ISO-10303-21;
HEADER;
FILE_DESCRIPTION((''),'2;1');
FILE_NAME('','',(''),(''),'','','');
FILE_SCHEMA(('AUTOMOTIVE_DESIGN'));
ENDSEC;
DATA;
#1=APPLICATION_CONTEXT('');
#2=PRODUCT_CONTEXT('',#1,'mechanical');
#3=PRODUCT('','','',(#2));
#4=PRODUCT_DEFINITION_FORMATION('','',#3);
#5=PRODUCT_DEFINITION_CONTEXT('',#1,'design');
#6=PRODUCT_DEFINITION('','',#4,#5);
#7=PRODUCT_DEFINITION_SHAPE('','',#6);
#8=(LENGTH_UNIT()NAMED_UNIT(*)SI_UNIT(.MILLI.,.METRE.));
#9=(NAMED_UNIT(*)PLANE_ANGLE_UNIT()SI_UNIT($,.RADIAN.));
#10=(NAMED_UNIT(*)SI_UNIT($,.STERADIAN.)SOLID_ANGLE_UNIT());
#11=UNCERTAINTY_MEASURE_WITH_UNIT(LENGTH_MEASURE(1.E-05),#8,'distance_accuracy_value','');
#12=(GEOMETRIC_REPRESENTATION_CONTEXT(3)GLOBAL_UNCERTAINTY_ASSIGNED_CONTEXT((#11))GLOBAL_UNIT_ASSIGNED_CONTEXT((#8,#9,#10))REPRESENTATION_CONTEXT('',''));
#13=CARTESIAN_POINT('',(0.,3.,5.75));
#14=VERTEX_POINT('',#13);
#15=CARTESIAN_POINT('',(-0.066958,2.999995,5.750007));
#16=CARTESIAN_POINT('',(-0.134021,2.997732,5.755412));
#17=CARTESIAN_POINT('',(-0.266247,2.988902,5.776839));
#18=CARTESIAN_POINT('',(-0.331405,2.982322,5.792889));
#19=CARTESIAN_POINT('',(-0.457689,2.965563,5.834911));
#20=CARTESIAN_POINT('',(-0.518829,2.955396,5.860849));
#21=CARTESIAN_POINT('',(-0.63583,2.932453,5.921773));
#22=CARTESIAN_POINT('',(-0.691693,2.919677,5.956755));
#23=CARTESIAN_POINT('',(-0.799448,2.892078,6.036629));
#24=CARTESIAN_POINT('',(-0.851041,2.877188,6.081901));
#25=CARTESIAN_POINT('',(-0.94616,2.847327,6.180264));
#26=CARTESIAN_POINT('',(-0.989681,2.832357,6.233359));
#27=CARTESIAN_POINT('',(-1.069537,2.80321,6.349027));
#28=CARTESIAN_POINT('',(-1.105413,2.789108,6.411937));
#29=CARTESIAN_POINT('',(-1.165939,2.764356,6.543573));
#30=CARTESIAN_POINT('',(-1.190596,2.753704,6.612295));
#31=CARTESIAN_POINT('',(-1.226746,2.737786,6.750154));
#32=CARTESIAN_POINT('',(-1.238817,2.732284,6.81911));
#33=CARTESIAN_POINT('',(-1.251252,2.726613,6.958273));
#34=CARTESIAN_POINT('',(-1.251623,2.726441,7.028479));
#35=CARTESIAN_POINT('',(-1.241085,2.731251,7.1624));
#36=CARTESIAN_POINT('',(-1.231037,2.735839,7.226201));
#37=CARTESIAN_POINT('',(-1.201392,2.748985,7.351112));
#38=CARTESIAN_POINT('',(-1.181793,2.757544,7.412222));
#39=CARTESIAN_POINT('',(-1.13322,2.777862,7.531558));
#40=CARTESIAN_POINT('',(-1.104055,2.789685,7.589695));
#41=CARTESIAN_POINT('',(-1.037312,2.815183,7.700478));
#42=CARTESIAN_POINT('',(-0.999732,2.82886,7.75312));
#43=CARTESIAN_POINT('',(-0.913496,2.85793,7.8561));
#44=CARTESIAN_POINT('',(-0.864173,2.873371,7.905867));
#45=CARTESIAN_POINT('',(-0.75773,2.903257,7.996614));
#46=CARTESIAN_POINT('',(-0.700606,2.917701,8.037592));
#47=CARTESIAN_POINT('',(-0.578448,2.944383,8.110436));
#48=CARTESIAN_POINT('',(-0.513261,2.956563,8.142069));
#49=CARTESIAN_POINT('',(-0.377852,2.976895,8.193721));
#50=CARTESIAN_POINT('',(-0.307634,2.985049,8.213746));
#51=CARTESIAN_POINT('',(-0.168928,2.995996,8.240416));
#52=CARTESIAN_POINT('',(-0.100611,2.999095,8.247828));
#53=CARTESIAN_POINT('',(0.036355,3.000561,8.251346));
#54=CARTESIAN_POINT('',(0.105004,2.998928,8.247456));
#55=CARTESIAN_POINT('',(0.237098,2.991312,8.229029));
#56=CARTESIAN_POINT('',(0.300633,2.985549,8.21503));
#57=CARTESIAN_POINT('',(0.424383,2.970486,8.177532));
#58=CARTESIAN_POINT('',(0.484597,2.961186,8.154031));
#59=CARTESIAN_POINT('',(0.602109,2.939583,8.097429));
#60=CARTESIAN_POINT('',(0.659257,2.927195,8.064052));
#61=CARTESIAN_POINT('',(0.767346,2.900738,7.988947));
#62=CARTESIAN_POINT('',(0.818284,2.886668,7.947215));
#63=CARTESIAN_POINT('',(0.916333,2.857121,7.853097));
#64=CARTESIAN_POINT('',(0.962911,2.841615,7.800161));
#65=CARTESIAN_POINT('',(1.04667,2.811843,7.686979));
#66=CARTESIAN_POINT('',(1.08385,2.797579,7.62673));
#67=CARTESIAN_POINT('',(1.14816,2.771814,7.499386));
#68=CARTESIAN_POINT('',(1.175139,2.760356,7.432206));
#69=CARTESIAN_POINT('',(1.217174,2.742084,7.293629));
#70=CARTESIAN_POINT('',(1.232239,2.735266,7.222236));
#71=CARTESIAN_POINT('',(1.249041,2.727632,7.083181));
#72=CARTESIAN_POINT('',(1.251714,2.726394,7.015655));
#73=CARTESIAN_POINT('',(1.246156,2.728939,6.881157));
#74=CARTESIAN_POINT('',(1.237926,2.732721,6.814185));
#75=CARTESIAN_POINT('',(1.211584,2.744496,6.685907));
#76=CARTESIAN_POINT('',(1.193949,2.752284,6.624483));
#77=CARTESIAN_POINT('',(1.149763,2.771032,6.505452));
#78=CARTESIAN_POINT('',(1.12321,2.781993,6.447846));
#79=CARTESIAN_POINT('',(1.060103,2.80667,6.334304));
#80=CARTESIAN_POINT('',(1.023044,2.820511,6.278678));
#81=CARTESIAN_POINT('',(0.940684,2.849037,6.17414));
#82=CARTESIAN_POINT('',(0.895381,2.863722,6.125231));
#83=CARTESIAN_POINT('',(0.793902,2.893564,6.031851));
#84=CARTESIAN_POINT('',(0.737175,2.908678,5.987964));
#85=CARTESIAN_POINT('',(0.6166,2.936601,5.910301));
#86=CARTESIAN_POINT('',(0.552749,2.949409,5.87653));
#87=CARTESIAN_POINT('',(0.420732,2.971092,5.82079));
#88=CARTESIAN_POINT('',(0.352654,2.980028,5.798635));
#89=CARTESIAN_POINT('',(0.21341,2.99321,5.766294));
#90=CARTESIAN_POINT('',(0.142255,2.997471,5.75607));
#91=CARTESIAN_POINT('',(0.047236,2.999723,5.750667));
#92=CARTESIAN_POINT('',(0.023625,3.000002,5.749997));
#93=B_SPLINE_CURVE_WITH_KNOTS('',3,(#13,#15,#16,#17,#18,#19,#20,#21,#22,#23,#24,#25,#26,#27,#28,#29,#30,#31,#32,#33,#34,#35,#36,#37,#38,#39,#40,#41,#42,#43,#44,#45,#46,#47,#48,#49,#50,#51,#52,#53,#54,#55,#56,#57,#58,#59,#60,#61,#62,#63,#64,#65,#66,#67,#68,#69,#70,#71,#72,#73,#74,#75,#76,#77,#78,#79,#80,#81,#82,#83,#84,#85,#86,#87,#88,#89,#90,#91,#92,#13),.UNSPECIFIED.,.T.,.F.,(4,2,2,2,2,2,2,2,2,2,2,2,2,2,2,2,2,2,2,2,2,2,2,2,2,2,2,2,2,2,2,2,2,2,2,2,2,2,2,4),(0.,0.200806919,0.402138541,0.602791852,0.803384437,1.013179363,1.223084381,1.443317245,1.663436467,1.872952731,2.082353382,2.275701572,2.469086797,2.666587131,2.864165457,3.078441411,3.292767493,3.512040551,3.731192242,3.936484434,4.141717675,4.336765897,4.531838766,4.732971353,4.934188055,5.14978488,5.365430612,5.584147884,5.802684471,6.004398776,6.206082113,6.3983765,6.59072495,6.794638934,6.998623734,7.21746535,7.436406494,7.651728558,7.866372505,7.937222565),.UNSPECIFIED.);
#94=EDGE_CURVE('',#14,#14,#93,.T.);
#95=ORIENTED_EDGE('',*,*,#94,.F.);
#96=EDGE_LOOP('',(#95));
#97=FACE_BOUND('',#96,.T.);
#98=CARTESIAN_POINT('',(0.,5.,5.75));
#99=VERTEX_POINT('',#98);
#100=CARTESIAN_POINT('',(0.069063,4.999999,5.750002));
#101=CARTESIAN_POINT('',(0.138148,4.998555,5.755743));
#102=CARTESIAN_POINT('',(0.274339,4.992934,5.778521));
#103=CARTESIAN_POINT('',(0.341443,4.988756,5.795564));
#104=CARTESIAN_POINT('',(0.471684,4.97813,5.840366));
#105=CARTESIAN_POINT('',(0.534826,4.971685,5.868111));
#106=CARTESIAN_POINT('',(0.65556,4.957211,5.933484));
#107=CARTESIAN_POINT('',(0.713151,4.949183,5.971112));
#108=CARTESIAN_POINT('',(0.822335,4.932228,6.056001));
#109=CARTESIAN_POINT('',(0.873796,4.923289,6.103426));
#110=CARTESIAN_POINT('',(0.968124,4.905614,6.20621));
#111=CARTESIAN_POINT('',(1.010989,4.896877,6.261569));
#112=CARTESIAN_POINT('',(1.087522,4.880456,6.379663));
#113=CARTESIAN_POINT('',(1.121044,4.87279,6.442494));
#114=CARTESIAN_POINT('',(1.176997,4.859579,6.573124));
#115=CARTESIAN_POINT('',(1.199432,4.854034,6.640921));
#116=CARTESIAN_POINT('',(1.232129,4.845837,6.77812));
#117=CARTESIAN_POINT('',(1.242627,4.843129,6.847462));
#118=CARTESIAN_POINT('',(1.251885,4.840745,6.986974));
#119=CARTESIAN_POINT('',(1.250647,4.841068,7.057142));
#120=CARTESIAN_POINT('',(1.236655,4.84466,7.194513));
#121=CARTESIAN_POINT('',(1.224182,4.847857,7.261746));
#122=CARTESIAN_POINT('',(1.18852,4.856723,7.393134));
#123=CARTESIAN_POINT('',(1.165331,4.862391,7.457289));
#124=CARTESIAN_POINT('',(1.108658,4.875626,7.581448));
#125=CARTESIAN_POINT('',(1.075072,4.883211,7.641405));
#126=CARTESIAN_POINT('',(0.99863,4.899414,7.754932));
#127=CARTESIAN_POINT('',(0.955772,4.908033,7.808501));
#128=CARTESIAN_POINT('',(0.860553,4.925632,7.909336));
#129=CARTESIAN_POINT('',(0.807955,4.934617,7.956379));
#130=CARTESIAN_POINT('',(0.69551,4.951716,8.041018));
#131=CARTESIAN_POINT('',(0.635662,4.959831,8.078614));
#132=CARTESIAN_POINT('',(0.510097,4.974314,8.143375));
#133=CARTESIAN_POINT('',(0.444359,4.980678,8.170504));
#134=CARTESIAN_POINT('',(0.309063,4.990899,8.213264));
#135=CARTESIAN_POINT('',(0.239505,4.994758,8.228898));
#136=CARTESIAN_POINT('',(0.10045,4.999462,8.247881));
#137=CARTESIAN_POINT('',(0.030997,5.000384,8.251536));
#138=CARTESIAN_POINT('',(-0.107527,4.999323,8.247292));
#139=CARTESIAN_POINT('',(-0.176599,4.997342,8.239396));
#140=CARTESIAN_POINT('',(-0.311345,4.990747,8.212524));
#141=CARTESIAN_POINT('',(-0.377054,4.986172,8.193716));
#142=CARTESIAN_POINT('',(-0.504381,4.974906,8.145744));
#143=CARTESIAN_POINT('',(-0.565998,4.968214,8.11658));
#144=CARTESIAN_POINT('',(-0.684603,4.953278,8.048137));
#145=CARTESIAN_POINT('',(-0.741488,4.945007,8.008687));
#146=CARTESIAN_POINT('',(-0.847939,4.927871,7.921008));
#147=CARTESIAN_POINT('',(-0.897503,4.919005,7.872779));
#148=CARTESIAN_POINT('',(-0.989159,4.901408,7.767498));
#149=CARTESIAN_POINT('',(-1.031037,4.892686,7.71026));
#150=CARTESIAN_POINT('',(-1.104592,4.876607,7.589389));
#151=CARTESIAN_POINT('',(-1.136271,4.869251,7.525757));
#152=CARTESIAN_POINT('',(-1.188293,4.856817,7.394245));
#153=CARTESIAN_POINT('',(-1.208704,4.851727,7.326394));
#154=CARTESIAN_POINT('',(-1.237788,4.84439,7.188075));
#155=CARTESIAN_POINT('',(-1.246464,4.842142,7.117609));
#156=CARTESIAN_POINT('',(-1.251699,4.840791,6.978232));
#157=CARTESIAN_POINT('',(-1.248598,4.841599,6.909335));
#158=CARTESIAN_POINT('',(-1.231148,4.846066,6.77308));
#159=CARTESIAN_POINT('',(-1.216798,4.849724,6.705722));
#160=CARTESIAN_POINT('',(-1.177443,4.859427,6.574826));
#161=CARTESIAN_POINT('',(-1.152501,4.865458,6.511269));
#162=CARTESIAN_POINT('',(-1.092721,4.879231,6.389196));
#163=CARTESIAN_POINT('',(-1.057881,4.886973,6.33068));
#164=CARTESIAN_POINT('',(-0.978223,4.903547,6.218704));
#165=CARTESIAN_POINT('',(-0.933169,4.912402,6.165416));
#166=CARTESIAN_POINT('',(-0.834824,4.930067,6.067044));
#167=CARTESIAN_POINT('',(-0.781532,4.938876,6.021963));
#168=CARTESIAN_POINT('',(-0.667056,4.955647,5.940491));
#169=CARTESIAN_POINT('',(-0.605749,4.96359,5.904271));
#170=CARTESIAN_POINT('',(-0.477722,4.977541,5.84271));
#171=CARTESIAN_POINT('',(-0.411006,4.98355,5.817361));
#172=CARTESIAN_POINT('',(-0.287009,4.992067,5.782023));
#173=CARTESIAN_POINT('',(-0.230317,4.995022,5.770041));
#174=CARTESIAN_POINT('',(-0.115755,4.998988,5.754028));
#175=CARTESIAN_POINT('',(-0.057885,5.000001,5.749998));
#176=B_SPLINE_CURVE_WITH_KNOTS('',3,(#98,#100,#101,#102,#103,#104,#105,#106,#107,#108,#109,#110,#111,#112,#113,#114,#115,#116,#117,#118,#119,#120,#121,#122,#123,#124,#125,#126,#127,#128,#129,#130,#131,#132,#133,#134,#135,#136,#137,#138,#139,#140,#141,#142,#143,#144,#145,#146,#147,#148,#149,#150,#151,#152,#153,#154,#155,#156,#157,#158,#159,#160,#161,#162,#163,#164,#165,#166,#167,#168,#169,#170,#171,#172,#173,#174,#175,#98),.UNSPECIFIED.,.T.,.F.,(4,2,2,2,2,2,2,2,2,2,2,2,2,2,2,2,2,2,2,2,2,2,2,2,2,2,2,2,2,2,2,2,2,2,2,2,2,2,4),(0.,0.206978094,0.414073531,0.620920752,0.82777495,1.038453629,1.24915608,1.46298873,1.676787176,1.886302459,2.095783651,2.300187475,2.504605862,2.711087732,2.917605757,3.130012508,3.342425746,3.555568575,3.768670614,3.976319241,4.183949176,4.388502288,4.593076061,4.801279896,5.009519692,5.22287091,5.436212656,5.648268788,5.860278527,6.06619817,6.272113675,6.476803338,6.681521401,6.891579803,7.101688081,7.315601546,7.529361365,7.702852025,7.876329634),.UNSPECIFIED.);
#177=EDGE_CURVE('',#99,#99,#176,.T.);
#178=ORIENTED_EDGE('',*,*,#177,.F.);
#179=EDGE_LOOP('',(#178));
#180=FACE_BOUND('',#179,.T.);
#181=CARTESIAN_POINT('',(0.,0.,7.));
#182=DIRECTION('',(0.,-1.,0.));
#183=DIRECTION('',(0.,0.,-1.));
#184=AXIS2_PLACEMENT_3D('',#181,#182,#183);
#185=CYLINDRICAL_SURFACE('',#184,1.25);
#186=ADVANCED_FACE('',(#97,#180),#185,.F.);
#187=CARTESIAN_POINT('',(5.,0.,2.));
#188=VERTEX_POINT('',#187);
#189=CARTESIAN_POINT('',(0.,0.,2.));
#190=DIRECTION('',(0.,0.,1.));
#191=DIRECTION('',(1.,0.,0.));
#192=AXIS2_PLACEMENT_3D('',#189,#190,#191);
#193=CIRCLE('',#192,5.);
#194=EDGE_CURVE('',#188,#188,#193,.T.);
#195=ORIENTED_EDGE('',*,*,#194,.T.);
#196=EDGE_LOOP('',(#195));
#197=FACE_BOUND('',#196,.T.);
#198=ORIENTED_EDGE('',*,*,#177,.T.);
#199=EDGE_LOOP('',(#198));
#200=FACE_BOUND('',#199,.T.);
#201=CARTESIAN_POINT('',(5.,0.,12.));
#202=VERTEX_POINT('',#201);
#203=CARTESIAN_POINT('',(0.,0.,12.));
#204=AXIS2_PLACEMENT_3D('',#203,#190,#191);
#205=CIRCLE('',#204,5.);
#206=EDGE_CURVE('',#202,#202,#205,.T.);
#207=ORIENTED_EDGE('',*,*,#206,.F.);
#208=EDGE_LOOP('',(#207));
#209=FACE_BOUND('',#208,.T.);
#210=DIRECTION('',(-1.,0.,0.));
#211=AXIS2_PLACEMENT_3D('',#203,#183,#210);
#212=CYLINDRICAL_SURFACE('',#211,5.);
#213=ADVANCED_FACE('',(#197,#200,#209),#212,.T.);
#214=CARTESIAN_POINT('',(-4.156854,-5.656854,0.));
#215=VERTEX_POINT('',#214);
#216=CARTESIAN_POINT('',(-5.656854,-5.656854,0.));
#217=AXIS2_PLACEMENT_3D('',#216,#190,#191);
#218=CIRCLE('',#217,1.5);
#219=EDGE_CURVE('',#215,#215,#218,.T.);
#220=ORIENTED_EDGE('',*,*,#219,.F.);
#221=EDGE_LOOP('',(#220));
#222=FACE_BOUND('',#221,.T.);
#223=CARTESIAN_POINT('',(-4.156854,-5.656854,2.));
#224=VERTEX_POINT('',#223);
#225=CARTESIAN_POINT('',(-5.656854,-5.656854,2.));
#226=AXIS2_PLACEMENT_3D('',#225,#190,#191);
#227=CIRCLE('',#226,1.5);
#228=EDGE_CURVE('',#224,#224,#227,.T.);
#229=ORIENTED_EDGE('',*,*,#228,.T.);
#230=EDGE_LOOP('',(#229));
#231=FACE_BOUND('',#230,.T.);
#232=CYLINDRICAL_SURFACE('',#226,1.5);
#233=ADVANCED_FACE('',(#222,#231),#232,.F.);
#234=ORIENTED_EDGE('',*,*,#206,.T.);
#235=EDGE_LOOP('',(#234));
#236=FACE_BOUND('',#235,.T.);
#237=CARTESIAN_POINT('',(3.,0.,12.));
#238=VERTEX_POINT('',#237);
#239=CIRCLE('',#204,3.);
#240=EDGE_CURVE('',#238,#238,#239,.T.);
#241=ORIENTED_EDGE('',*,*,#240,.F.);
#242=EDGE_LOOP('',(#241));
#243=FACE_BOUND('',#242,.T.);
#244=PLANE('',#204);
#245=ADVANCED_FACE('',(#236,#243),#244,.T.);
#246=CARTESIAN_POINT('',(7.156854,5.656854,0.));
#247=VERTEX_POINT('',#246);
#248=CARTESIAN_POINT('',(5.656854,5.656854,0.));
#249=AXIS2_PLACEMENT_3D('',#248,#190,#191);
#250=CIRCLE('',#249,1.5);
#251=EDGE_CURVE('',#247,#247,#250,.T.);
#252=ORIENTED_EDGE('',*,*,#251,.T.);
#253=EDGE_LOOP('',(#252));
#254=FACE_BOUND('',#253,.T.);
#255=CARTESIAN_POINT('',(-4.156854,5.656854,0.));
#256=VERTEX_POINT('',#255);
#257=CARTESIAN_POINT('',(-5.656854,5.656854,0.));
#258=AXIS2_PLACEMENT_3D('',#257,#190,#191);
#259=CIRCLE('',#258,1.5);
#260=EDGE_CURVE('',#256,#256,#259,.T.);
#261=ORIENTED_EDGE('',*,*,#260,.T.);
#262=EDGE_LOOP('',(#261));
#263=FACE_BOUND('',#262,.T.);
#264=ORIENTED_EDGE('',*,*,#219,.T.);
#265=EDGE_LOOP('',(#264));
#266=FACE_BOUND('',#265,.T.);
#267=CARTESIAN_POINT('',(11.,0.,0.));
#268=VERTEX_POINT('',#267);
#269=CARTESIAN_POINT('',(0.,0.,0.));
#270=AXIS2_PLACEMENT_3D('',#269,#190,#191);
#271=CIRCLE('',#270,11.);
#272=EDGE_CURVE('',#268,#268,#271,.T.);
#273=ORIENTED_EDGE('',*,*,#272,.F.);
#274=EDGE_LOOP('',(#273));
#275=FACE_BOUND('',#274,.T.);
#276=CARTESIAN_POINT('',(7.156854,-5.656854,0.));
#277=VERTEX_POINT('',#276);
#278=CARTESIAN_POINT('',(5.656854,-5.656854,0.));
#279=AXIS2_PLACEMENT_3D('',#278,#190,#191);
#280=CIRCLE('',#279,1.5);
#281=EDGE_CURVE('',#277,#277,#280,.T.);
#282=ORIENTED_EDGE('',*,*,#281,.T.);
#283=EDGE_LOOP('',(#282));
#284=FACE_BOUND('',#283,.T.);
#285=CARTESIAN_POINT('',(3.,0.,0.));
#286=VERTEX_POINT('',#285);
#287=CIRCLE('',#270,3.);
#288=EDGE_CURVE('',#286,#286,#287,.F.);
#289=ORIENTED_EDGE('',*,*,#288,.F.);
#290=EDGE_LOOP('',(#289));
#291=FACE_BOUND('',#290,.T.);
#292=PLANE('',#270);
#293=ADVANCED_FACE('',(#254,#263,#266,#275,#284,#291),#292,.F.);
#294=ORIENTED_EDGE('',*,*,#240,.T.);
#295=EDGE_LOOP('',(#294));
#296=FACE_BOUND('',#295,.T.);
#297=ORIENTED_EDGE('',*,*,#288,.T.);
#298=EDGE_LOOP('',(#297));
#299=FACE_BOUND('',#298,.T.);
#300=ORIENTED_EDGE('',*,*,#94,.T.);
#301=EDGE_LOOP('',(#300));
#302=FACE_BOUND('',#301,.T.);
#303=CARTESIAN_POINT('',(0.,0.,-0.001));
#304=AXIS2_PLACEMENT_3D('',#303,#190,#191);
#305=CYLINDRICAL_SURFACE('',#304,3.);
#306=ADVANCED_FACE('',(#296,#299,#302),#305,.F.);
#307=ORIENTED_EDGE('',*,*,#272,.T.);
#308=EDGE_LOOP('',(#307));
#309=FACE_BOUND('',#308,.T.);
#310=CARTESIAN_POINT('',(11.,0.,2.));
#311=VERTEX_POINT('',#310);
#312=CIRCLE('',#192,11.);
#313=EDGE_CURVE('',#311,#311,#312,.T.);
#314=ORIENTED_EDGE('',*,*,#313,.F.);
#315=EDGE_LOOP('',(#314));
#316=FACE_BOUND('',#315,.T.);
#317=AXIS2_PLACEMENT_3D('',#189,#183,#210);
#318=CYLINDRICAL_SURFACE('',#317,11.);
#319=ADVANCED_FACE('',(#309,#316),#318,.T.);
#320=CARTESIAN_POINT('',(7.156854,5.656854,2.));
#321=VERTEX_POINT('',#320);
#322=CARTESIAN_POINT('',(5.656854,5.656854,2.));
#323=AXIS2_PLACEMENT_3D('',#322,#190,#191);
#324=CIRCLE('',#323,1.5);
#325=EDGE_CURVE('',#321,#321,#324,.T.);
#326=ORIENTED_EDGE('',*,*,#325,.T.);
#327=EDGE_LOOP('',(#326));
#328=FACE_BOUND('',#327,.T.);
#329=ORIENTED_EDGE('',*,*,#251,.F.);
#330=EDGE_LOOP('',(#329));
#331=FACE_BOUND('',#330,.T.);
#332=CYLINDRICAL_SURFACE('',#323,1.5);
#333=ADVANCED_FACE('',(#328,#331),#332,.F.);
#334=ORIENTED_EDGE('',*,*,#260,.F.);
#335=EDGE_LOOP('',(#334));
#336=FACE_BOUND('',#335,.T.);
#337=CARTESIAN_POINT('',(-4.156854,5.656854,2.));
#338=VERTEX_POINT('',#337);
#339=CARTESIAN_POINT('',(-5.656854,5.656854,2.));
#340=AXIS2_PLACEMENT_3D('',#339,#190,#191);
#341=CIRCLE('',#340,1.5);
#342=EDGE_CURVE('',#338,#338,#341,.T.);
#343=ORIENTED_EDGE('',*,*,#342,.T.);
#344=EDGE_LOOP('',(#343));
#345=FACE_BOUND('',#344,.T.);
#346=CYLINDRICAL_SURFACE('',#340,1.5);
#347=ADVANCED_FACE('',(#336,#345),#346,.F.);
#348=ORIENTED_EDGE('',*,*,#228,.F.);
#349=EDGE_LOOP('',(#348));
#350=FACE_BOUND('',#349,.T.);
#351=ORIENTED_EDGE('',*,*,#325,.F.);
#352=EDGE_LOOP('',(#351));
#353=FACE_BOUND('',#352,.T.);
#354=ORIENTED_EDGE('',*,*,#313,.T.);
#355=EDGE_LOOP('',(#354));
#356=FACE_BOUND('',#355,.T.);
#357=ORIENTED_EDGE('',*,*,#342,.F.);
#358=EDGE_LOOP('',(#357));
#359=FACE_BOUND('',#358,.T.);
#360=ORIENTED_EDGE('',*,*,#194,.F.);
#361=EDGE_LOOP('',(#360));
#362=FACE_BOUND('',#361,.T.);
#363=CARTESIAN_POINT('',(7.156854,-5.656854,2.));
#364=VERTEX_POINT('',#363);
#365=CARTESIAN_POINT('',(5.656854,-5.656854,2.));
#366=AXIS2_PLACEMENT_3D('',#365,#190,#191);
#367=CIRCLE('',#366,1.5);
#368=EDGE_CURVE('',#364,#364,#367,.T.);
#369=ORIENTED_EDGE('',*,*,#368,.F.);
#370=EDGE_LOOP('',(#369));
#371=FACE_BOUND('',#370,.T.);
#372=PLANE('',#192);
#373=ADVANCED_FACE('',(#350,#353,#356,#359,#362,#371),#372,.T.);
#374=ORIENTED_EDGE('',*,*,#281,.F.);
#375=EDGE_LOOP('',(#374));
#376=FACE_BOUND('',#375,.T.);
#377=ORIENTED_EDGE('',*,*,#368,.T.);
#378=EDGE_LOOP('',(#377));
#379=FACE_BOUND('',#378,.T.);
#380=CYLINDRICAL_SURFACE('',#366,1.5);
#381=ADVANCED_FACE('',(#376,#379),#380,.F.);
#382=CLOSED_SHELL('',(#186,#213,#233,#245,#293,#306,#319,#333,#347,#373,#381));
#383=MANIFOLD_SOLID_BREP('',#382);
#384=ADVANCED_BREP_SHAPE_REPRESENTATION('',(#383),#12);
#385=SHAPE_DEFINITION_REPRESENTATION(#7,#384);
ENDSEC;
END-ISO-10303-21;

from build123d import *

# Parameters (mm, degrees)
SKETCH1_R             = 11
BOSS_EXTRUDE1_DEPTH   = 2
SKETCH2_R             = 5
BOSS_EXTRUDE2_DEPTH   = 10
CUT_EXTRUDE1_REACH    = 21.647
SKETCH3_R             = 3
SKETCH5_W             = 1.25
SKETCH5_H             = 5
F_3_0MM_DOWEL_HOLE1_D = 3


with BuildPart() as part:
    # Sketch1 → Boss-Extrude1 (new body)
    with BuildSketch(Plane.XY):
        Circle(SKETCH1_R)
    extrude(amount=BOSS_EXTRUDE1_DEPTH)

    # Sketch2 → Boss-Extrude2 (add)
    with BuildSketch(Plane.XY.offset(2)):
        Circle(SKETCH2_R)
    extrude(amount=BOSS_EXTRUDE2_DEPTH)

    # Sketch3 → Cut-Extrude1 (cut, up to next)
    with BuildSketch(Plane.XY.offset(12), mode=Mode.PRIVATE) as cut_extrude1_sk1:
        Circle(SKETCH3_R)
    cut_extrude1_tool1 = extrude(cut_extrude1_sk1.sketch, amount=-CUT_EXTRUDE1_REACH, mode=Mode.PRIVATE) & part.part
    add(cut_extrude1_tool1.solids().sort_by_distance((0, 0, 12))[0], mode=Mode.SUBTRACT)

    # Sketch5 → Tap Drill for M3x0.5 Tap1 (revolve, cut)
    with BuildSketch(Plane(origin=(0, 0, 7), x_dir=(0, 0, -1), z_dir=(1, 0, 0))):
        with Locations((0.625, 2.5)):
            Rectangle(SKETCH5_W, SKETCH5_H)
    revolve(axis=Axis((0, -6.35, 7), (0, 1, 0)), mode=Mode.SUBTRACT)

    # Ø3.0mm Dowel Hole1 (through all)
    with Locations(Plane.XY.offset(2)):
        with Locations((5.656854249, 5.656854249), (-5.656854249, -5.656854249), (-5.656854249, 5.656854249), (5.656854249, -5.656854249)):
            Hole(F_3_0MM_DOWEL_HOLE1_D / 2)


solid = part.part
